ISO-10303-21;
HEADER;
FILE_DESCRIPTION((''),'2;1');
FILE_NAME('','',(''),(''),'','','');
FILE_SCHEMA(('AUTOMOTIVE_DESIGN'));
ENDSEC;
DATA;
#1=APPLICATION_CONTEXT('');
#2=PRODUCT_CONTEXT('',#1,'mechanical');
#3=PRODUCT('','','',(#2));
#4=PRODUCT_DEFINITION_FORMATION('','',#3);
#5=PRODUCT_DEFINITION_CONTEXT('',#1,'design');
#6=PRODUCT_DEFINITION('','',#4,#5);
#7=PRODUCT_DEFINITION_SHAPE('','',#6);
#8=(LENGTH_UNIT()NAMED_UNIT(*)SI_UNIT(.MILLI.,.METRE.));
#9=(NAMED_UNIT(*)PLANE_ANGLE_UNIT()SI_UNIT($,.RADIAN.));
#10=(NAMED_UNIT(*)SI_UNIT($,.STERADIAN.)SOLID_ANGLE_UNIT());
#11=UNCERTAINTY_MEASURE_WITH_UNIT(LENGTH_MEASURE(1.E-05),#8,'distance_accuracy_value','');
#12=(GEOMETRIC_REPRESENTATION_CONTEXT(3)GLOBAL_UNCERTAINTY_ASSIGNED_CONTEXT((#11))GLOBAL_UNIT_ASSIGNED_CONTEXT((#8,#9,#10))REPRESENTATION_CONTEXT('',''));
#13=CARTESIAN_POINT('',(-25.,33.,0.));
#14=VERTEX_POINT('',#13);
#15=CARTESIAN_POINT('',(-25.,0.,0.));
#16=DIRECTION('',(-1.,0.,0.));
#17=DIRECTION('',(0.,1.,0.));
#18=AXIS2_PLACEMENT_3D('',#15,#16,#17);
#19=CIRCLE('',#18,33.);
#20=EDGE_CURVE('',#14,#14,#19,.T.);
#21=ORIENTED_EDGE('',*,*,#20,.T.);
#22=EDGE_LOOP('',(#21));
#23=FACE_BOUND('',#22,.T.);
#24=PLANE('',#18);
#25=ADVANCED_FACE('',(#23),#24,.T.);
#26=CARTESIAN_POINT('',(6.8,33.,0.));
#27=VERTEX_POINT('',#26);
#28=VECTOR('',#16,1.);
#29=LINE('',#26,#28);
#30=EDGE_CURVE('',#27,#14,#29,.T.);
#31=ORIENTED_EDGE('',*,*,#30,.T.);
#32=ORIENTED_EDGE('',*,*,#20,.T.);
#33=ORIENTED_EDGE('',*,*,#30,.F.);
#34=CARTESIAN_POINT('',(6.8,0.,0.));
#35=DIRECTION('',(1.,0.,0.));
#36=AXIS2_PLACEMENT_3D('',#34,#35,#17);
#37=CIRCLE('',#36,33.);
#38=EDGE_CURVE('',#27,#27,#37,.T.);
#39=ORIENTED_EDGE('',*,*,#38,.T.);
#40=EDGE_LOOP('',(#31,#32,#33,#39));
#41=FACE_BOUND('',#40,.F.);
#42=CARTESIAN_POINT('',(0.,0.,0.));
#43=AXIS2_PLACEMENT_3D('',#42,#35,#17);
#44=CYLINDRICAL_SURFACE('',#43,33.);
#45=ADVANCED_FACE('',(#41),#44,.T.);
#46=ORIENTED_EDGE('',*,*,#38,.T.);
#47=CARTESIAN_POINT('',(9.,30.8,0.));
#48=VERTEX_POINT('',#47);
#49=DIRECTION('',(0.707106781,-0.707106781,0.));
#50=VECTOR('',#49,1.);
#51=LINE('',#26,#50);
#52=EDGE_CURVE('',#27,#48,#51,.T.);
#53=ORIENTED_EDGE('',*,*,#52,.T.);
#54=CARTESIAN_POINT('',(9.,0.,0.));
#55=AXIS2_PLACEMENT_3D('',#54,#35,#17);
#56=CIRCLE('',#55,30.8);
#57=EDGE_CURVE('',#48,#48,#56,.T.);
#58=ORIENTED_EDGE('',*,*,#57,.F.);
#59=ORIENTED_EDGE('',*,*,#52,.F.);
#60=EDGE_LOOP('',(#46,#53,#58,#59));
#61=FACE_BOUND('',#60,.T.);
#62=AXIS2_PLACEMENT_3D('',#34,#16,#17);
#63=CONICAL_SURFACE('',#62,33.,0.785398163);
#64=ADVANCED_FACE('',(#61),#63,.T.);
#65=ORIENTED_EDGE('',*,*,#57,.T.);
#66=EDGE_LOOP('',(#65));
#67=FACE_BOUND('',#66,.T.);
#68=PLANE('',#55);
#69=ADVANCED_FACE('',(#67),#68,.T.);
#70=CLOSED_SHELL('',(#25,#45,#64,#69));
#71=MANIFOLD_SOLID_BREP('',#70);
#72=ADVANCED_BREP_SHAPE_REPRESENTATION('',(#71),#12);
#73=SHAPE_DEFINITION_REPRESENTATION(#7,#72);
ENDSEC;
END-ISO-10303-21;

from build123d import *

# Parameters (mm, degrees)
F0_R      = 33
F1_DEPTH  = 9
F2_SIZE   = 2.2
F1_FACE_R = 33
F3_DEPTH  = 25


with BuildPart() as f1:
    # F0 (on Right) → F1 (new body)
    with BuildSketch(Plane.YZ):
        Circle(F0_R)
    extrude(amount=F1_DEPTH)

    # F2
    f2_edges = [f1.edges().sort_by_distance(p)[0] for p in [
        (9, -33, 0),
    ]]
    chamfer(f2_edges, length=F2_SIZE)

    # F1_face (on face) → F3 (join)
    with BuildSketch(Plane(origin=(0, 0, 0), x_dir=(0, 1, 0), z_dir=(-1, 0, 0))):
        Circle(F1_FACE_R)
    extrude(amount=F3_DEPTH)


solid = f1.part
